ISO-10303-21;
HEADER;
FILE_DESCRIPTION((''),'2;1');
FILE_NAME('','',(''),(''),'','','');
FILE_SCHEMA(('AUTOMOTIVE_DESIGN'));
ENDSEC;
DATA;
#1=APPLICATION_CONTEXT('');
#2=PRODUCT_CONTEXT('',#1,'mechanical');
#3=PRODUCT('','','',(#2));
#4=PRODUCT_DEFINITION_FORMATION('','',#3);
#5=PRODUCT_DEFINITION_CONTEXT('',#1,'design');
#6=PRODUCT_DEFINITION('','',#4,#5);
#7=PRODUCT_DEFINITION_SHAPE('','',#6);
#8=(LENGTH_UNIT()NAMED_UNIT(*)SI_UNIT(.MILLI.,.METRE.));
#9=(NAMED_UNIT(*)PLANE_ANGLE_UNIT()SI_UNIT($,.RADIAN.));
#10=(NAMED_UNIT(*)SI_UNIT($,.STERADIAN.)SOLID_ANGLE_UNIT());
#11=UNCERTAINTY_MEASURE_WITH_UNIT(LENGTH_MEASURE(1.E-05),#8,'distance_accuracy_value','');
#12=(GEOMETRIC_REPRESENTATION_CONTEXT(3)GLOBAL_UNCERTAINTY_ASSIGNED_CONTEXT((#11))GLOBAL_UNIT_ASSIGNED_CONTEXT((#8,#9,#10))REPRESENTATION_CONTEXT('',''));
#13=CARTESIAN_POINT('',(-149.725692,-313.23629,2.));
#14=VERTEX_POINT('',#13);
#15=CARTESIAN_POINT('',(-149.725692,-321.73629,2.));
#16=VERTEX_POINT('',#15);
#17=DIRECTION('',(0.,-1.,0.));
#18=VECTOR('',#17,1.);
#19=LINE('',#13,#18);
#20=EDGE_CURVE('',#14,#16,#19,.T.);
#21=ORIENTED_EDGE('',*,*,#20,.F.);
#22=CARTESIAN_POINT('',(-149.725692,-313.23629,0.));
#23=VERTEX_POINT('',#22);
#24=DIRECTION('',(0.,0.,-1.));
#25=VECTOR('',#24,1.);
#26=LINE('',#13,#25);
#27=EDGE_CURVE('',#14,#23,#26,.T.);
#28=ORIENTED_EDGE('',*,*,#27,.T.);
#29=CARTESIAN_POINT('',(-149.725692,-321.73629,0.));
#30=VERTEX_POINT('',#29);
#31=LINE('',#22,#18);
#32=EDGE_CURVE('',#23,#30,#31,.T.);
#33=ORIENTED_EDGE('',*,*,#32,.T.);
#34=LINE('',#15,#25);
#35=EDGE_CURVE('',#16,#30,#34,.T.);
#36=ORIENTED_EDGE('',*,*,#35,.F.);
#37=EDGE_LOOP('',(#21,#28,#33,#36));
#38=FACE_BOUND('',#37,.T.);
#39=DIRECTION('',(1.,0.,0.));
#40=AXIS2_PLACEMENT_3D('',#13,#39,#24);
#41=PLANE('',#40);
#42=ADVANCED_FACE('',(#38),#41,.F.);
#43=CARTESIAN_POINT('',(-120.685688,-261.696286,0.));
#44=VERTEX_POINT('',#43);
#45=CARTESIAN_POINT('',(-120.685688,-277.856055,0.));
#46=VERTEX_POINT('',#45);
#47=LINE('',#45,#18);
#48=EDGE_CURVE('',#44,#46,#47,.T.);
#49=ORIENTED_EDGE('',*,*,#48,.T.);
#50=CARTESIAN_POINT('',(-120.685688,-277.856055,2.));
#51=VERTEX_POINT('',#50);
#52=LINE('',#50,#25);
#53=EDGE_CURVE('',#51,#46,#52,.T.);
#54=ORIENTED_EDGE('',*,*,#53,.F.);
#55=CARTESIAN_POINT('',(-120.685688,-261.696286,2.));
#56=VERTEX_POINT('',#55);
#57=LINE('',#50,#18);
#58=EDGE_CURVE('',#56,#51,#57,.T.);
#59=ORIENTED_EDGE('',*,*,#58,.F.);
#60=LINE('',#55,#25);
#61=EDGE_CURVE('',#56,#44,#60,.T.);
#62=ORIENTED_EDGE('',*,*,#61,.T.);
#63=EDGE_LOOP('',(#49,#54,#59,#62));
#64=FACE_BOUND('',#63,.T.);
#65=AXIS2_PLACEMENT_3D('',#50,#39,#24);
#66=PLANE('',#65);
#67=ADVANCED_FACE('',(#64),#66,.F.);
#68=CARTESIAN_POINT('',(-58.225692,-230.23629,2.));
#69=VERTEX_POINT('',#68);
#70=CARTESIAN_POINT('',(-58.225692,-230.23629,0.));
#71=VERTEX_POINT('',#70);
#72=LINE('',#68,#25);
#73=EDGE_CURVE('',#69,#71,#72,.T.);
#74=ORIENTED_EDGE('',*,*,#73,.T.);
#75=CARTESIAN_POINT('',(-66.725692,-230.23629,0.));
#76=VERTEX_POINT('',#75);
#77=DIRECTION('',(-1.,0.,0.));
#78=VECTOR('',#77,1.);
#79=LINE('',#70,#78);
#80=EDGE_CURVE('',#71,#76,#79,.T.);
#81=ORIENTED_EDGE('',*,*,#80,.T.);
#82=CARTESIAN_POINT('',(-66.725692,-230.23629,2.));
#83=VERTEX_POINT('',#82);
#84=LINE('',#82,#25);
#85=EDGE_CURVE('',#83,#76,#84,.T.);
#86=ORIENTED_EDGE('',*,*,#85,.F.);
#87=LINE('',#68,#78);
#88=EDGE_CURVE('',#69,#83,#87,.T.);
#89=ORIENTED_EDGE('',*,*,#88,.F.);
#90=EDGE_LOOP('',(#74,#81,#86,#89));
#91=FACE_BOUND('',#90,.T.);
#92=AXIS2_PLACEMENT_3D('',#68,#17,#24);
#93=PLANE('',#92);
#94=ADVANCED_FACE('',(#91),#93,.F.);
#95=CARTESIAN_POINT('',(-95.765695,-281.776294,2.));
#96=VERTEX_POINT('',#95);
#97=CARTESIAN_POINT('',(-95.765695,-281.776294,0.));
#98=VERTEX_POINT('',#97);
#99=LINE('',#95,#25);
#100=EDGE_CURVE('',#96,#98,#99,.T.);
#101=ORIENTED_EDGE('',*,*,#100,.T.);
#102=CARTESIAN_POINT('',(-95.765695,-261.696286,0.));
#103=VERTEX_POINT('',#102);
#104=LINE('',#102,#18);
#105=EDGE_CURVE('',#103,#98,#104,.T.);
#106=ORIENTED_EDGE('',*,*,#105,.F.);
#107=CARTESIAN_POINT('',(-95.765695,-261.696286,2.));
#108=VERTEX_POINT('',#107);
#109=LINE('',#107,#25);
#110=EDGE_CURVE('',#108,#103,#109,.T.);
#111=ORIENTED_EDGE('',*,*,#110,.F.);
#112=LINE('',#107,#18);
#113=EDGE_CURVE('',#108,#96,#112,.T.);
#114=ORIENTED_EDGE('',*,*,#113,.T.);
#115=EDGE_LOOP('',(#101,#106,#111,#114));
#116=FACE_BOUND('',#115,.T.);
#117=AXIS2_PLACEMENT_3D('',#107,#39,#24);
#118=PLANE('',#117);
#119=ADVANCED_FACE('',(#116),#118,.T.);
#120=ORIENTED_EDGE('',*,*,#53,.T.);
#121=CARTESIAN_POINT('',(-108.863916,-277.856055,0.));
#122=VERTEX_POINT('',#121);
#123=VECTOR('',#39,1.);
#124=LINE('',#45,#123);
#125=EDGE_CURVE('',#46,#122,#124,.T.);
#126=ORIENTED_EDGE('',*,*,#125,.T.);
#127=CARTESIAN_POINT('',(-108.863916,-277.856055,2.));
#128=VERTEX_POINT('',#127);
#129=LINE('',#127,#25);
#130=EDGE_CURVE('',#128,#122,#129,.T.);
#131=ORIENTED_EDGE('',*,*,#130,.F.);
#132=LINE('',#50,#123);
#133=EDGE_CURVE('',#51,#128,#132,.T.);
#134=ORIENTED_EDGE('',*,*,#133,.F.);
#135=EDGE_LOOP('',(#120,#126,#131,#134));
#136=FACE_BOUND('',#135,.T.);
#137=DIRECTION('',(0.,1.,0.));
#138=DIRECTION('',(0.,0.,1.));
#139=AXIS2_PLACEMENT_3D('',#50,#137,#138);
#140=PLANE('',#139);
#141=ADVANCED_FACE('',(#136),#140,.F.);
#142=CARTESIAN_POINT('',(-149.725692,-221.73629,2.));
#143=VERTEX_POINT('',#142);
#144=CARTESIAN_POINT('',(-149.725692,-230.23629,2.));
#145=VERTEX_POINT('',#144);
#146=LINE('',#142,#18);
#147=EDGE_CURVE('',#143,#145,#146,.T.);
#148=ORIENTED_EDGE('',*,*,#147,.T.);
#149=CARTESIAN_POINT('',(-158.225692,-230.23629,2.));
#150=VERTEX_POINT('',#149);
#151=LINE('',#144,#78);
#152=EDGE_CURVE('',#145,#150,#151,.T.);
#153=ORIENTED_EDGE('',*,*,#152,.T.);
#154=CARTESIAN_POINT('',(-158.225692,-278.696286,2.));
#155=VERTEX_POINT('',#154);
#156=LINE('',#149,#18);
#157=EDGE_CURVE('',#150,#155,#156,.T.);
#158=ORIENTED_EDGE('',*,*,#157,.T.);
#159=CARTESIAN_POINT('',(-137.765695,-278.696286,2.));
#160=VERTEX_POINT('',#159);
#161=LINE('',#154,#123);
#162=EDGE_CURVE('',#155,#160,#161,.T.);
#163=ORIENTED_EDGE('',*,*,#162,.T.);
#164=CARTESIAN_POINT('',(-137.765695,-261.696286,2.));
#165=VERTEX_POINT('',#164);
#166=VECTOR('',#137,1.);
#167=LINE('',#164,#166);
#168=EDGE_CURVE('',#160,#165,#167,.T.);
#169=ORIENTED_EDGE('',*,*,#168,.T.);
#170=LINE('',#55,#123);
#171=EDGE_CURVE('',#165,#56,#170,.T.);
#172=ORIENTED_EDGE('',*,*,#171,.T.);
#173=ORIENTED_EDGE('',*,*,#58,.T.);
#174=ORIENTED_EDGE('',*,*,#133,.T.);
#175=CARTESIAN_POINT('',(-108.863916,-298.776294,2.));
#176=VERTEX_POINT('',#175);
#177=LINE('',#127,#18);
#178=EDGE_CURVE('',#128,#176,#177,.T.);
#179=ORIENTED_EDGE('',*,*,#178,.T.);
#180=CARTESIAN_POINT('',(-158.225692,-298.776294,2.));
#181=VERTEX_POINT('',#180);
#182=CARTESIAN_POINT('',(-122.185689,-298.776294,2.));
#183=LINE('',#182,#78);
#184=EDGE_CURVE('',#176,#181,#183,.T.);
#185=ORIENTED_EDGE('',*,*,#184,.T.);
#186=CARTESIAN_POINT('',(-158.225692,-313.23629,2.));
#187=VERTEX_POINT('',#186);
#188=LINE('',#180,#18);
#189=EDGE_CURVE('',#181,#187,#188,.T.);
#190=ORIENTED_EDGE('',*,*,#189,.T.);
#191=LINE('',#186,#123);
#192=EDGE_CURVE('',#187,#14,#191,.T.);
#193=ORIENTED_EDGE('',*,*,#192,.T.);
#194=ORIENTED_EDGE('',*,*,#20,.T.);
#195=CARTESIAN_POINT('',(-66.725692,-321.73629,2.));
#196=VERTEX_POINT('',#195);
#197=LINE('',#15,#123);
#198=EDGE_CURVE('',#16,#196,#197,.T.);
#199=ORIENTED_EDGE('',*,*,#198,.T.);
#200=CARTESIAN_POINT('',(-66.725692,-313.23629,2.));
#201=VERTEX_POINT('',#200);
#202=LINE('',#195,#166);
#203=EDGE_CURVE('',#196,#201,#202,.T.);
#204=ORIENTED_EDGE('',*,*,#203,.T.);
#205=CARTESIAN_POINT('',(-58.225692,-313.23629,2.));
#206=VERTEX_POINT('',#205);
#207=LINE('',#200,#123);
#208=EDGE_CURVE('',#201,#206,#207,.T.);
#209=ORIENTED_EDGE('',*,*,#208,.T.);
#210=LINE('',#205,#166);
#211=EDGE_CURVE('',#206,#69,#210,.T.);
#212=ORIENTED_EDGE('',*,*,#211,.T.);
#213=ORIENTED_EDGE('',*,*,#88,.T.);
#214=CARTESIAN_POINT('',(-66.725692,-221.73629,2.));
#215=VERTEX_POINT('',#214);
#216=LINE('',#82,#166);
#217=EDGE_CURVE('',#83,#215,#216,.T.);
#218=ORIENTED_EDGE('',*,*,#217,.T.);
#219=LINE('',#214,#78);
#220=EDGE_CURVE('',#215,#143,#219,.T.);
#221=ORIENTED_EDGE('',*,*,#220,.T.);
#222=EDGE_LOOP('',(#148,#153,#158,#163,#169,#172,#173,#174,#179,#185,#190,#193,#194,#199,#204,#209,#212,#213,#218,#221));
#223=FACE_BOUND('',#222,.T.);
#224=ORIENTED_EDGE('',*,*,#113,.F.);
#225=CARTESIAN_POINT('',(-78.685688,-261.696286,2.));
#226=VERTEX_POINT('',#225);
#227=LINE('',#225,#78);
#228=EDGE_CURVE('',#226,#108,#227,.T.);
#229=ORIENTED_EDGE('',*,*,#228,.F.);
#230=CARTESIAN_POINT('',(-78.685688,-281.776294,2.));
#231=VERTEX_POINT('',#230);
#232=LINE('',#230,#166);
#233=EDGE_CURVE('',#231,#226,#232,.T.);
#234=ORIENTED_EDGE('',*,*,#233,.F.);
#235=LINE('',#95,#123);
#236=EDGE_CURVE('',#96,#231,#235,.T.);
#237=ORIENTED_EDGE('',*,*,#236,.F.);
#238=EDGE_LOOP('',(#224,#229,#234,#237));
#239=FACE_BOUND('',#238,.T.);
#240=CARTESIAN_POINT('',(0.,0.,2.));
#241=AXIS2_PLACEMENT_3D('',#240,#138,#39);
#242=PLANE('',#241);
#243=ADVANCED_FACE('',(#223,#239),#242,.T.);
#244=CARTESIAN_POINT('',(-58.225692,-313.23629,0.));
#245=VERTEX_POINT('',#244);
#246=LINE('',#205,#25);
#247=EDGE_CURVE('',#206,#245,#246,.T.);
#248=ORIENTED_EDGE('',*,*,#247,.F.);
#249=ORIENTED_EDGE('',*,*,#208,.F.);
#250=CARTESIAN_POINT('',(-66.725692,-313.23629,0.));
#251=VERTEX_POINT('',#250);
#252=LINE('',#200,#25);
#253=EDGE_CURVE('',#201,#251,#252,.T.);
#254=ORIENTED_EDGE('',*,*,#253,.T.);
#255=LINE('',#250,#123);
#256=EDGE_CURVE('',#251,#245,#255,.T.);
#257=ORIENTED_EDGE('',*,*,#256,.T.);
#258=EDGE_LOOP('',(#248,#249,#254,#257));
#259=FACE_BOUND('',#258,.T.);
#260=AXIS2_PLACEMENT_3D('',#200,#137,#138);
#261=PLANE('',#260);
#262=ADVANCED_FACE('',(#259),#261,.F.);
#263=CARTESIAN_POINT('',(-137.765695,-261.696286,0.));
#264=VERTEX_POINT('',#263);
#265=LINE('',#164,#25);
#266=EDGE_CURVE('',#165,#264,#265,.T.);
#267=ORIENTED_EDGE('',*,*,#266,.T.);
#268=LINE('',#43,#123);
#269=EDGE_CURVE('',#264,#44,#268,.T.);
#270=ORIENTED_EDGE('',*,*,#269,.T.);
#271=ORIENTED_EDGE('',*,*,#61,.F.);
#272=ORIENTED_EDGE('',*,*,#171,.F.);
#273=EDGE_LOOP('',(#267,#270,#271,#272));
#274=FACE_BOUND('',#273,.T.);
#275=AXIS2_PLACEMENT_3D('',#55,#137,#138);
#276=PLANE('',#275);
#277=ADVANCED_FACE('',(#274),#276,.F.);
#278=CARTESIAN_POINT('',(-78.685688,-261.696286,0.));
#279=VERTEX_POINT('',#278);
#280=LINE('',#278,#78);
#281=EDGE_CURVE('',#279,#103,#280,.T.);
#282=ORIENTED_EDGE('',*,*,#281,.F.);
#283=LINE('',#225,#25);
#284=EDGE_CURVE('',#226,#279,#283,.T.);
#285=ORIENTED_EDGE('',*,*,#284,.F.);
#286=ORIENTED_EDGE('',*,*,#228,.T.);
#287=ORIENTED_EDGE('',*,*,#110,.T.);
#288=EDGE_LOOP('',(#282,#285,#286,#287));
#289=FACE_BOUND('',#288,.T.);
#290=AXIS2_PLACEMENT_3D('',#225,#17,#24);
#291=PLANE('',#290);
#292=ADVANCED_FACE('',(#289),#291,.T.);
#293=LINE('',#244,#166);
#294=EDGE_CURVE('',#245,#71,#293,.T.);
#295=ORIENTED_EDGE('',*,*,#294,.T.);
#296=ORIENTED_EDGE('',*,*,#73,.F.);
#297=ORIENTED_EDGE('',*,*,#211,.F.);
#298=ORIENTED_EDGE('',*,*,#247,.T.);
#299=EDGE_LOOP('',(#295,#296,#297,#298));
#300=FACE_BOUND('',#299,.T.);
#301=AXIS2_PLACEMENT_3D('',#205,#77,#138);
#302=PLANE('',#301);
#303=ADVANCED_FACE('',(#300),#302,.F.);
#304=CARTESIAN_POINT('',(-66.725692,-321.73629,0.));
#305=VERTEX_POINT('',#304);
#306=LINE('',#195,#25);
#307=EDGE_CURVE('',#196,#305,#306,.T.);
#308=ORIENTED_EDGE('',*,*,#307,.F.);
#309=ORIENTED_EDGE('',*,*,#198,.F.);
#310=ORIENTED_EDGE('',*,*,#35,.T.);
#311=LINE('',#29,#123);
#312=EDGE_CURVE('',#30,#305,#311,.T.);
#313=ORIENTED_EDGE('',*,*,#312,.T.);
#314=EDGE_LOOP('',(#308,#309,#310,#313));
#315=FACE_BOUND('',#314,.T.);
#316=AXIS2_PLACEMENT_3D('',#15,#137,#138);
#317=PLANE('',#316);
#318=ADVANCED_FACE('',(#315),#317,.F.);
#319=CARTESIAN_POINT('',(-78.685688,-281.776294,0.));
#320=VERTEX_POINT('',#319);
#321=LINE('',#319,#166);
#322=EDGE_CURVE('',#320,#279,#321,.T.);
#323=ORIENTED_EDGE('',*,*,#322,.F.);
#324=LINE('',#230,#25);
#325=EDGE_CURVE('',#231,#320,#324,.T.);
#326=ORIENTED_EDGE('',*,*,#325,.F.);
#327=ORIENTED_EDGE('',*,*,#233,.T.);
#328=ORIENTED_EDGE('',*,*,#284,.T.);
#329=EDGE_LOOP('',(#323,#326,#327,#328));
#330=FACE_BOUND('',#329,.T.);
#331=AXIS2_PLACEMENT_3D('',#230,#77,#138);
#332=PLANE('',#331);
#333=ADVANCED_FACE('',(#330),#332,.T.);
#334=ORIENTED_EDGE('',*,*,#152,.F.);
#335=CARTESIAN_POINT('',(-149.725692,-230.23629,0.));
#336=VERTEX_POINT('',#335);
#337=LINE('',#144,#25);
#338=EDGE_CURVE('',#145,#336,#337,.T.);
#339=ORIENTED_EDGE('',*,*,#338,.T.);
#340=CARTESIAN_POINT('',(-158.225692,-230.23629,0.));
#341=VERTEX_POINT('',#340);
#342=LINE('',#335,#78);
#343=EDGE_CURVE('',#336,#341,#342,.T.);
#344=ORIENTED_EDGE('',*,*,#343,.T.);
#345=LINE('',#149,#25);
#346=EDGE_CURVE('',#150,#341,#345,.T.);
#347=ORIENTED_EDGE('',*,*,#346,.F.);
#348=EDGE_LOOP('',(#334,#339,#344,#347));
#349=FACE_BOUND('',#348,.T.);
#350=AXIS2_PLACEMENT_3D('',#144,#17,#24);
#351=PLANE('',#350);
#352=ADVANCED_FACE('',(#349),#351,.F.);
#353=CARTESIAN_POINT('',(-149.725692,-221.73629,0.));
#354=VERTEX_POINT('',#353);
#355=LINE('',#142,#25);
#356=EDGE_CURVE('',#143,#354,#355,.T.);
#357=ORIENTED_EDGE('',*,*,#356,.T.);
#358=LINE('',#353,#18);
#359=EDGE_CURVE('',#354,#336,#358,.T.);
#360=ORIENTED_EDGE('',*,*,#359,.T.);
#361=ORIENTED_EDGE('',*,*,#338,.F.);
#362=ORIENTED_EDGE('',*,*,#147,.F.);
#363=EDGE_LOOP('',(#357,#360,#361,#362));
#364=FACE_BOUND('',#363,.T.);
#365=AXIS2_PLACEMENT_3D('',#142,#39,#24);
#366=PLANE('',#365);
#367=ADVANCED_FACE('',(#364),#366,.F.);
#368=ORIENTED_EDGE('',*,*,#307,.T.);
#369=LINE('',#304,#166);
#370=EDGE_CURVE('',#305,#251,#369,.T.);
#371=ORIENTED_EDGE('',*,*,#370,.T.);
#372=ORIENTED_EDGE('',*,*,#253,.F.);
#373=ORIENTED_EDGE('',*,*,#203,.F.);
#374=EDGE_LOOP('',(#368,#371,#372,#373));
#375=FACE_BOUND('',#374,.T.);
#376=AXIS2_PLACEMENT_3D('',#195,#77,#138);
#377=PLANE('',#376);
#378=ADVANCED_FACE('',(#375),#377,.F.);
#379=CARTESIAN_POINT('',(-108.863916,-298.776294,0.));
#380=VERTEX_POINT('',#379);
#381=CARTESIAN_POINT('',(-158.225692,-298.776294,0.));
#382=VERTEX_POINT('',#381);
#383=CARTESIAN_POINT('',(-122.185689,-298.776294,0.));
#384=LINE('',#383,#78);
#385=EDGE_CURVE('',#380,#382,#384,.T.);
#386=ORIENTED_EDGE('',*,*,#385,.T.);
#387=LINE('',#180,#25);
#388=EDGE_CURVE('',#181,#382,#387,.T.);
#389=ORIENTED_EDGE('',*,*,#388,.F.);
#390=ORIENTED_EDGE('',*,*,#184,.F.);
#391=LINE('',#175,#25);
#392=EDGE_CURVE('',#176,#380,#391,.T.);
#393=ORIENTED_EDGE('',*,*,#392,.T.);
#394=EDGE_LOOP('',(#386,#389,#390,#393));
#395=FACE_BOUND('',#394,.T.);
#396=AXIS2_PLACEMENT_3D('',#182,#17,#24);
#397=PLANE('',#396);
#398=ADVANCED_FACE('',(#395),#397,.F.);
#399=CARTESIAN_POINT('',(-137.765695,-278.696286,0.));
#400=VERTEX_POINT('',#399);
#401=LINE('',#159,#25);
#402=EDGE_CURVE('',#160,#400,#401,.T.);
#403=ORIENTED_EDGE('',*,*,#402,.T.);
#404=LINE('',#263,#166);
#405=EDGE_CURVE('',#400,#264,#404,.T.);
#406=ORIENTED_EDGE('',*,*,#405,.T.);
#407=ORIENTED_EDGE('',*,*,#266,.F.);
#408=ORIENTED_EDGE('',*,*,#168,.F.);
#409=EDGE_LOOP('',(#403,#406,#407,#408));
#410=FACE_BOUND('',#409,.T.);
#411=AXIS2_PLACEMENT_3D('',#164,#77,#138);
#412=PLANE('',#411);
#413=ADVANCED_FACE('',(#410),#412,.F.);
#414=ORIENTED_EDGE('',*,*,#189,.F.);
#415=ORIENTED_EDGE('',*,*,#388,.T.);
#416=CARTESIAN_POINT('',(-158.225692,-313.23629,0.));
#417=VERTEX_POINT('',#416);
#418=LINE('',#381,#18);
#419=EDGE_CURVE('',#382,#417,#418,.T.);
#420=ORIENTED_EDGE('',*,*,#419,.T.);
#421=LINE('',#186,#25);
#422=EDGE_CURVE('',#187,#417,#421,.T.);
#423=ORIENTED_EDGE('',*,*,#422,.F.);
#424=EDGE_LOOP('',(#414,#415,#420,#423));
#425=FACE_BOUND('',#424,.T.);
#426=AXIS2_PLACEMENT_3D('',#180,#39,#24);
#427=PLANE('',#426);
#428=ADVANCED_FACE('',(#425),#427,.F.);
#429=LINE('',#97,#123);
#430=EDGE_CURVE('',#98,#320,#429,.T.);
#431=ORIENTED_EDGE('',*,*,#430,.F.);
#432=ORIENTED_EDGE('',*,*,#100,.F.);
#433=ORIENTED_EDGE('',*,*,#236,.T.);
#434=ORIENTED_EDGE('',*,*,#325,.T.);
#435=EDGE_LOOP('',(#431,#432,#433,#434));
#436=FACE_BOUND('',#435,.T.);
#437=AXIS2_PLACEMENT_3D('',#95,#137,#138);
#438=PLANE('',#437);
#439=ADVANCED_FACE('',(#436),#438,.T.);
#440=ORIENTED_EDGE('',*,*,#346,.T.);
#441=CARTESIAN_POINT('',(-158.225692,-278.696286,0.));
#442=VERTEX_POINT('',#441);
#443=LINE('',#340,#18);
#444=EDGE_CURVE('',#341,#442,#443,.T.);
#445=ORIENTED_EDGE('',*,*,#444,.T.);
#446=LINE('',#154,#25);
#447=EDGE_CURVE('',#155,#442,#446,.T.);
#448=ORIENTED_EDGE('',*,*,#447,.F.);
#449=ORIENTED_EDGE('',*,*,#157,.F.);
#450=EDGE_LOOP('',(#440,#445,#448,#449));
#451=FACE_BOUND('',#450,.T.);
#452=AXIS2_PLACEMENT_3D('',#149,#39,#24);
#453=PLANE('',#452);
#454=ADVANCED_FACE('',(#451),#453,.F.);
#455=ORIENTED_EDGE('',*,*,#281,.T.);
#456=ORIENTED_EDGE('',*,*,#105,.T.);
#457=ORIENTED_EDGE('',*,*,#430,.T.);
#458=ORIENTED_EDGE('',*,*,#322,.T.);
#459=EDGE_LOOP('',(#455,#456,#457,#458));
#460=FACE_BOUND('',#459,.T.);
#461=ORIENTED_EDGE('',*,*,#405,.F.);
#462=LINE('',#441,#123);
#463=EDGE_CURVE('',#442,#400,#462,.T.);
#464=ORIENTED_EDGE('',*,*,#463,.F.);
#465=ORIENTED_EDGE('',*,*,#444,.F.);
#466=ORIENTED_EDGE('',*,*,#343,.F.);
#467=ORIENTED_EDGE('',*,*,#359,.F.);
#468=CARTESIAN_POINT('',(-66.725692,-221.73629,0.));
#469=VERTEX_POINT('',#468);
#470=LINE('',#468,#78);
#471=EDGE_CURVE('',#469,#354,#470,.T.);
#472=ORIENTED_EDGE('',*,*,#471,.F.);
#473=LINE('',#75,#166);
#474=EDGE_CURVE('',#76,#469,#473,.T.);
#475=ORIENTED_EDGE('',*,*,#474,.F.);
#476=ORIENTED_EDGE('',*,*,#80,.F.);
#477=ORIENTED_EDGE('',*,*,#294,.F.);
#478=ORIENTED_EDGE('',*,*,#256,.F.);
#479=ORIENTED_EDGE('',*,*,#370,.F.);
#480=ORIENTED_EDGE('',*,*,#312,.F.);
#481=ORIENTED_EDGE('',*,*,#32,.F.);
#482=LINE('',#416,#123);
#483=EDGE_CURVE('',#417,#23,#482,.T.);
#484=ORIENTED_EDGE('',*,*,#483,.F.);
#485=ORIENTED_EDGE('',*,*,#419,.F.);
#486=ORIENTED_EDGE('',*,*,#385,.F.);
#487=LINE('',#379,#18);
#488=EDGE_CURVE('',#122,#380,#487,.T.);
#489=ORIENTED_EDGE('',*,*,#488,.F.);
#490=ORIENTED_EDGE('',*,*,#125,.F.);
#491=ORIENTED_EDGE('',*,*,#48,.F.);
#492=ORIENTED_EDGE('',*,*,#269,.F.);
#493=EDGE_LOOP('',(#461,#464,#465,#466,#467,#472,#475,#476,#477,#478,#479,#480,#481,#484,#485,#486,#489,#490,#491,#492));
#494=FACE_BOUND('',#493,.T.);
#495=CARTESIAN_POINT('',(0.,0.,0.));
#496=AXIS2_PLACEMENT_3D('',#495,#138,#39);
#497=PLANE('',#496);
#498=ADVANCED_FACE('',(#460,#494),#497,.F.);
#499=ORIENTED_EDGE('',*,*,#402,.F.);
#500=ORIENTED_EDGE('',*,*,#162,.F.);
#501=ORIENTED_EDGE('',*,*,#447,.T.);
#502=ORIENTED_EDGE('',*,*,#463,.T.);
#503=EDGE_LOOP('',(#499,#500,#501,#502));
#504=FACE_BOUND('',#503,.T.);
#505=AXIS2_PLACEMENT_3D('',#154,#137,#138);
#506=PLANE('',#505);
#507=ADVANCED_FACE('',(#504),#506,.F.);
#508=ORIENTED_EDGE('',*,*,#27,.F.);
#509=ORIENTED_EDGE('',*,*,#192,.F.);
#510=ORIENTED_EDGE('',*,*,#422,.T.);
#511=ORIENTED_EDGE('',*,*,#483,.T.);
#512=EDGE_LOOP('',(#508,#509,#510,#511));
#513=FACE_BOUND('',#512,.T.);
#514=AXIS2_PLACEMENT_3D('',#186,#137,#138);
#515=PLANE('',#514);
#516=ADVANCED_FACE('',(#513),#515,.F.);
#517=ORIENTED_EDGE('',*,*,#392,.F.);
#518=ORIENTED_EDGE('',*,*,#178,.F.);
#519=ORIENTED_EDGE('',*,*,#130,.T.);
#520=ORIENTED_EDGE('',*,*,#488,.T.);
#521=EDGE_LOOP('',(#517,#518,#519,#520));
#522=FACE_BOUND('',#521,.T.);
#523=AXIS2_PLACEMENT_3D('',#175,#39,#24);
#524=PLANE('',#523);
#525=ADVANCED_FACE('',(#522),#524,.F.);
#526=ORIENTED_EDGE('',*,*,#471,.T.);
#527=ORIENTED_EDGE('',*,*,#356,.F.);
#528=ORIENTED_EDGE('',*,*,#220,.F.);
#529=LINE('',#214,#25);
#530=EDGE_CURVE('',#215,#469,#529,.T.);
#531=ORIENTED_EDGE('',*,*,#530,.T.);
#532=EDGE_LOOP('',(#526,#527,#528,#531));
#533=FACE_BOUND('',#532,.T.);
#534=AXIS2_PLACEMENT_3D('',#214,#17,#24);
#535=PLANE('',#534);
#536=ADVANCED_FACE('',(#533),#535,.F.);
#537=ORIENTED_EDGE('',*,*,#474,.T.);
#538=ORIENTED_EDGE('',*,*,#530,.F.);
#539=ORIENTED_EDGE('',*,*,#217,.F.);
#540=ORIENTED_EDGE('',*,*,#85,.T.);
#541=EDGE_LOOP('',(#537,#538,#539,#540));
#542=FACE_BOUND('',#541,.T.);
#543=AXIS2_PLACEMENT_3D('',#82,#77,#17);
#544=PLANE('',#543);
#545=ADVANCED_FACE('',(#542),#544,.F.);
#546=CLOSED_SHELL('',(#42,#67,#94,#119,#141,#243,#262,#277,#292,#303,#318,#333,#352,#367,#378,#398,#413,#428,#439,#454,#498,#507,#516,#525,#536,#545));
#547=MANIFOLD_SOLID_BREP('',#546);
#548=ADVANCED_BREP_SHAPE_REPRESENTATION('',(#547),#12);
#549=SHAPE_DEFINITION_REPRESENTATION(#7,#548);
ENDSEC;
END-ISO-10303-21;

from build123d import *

# Parameters (mm, degrees)
SKETCH1_W           = 17.080006479
SKETCH1_H           = 20.0800081
BOSS_EXTRUDE1_DEPTH = 2


with BuildPart() as part:
    # Sketch1 → Boss-Extrude1 (new body)
    with BuildSketch(Plane.XY):
        Polygon((-158.225691519, -298.776294453), (-158.225691519, -313.236290403), (-149.725691519, -313.236290403), (-149.725691519, -321.736290403), (-66.725691519, -321.736290403), (-66.725691519, -313.236290403), (-58.225691519, -313.236290403), (-58.225691519, -230.236290403), (-66.725691519, -230.236290403), (-66.725691519, -221.736290403), (-149.725691519, -221.736290403), (-149.725691519, -230.236290403), (-158.225691519, -230.236290403), (-158.225691519, -278.696286353), (-137.765694759, -278.696286353), (-137.765694759, -261.696286353), (-120.68568828, -261.696286353), (-120.68568828, -277.85605527), (-108.863916488, -277.85605527), (-108.863916488, -281.776294453), (-108.863916488, -298.776294453), (-122.185689089, -298.776294453), align=None)
        with Locations((-87.225691519, -271.736290403)):
            Rectangle(SKETCH1_W, SKETCH1_H, mode=Mode.SUBTRACT)
    extrude(amount=BOSS_EXTRUDE1_DEPTH)


solid = part.part
